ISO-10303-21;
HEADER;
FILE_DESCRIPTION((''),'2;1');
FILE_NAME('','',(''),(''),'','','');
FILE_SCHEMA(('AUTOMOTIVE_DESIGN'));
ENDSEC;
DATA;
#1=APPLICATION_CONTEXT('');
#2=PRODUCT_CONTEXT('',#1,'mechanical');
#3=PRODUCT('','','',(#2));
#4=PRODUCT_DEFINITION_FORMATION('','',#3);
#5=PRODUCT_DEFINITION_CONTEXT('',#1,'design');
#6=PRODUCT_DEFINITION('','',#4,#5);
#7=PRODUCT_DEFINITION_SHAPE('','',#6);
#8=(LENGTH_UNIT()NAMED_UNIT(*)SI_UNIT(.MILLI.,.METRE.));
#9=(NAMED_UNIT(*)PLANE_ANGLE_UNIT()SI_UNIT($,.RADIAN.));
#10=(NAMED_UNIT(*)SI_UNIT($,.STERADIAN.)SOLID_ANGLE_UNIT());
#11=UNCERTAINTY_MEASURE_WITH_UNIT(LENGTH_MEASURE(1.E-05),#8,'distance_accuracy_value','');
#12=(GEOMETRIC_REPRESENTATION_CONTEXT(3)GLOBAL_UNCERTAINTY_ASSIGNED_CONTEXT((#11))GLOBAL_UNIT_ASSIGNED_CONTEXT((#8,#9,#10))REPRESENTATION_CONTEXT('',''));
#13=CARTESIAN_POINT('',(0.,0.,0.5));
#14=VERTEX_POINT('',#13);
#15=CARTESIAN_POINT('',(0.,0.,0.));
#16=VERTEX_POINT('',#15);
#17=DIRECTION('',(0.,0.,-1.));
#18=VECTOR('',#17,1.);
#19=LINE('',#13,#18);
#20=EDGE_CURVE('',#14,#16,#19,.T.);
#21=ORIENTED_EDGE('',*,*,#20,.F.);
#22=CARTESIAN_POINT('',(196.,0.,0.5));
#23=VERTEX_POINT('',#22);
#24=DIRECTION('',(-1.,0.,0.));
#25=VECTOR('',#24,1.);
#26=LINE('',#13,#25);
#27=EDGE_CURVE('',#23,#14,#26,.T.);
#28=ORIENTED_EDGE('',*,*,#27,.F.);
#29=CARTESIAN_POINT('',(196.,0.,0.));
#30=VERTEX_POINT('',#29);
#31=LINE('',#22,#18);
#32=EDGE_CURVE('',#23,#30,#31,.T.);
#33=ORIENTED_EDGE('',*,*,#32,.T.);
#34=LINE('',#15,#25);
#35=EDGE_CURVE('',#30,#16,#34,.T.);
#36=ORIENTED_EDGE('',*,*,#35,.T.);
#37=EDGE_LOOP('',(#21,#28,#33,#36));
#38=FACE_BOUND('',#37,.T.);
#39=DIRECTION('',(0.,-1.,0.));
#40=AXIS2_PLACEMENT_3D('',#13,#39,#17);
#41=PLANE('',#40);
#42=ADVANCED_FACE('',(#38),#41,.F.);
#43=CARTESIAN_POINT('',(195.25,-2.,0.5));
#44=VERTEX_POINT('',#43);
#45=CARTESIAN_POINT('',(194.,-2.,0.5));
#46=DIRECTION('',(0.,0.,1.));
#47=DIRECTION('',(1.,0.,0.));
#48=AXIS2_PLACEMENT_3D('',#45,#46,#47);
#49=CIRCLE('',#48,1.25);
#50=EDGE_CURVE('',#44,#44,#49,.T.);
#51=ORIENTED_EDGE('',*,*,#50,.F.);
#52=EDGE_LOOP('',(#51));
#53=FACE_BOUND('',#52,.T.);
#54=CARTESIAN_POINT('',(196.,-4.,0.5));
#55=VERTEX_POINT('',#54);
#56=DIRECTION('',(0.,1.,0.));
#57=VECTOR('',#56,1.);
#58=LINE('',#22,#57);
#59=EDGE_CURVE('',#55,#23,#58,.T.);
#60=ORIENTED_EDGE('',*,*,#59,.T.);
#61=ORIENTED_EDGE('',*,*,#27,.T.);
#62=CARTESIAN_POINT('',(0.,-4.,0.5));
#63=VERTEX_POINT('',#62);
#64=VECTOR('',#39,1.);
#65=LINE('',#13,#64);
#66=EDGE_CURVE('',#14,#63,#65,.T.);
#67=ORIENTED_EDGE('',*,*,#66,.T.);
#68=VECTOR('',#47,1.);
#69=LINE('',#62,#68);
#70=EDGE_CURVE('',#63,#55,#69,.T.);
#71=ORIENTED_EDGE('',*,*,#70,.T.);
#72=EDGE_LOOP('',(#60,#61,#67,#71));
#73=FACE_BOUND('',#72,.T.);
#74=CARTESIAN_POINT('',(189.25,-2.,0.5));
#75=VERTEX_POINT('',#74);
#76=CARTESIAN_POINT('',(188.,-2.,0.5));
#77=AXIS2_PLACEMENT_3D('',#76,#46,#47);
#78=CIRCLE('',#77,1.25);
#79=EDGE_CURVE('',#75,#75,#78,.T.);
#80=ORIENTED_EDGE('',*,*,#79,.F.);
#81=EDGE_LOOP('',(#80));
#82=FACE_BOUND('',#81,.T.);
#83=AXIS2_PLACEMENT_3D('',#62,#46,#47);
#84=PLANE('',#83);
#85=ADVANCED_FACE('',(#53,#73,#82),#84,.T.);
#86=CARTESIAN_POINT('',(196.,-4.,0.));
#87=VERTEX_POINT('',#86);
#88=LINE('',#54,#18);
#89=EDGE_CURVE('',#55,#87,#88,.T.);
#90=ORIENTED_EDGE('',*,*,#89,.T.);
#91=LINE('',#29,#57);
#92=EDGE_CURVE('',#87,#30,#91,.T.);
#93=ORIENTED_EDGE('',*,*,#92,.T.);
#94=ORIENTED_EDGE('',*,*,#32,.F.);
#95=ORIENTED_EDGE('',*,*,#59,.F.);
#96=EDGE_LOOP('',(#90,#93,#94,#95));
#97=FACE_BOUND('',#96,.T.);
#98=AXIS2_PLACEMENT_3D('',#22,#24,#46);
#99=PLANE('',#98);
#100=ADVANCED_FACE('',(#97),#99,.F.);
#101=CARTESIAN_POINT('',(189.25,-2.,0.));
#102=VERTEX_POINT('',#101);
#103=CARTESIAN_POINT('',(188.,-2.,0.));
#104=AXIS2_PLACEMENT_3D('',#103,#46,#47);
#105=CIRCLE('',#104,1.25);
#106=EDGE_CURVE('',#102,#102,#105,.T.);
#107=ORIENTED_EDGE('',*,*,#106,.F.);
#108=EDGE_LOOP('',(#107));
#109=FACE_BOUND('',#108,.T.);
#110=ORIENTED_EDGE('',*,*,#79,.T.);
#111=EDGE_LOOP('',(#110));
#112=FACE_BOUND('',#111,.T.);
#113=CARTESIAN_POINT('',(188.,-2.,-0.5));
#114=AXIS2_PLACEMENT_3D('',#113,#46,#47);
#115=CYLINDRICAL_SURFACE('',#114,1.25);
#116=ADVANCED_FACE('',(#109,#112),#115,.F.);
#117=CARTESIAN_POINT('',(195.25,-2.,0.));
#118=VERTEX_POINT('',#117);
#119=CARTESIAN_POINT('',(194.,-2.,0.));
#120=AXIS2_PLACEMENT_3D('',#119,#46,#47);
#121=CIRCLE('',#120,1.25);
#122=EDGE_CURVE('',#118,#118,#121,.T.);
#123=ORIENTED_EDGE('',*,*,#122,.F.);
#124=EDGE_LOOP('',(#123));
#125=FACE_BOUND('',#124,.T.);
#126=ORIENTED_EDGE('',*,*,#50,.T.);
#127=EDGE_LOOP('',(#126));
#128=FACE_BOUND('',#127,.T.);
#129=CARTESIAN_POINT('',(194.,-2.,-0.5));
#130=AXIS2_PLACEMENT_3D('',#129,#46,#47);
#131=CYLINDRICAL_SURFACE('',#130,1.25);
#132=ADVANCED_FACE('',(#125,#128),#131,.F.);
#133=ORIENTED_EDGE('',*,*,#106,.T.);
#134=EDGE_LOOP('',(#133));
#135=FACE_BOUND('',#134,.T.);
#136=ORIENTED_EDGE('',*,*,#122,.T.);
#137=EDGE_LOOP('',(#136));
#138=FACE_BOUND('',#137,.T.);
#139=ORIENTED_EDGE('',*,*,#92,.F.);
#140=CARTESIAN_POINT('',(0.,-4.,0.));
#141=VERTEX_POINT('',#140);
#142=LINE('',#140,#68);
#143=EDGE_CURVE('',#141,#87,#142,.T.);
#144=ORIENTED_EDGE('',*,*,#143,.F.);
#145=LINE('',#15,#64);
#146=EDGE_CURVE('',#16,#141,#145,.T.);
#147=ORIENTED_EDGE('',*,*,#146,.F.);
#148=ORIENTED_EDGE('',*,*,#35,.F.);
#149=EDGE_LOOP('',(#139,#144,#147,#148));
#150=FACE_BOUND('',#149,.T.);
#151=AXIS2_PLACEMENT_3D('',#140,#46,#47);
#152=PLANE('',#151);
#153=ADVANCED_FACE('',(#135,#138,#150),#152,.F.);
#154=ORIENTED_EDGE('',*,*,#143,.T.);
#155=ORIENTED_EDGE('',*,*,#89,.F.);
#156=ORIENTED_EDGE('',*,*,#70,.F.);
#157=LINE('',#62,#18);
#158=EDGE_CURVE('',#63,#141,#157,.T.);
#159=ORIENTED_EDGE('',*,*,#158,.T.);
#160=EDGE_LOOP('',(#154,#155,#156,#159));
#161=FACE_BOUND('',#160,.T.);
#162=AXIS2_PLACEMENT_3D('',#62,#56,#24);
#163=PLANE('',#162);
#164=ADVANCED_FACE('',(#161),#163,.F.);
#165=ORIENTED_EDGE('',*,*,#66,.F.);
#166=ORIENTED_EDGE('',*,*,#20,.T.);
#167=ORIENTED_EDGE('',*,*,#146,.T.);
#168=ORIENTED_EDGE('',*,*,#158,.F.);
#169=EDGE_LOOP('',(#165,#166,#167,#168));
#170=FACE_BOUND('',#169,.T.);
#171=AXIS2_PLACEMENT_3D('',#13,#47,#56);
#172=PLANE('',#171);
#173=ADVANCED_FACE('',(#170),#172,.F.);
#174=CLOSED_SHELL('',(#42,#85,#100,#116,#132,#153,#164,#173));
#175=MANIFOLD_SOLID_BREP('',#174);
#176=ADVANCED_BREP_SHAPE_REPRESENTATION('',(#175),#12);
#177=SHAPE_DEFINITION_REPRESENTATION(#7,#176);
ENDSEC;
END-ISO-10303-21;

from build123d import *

# Parameters (mm, degrees)
SKETCH_1_W          = 196
SKETCH_1_H          = 4
EXTRUDE_1_DEPTH     = 0.5
SKETCH_2_R          = 1.25
CUT_EXTRUDE_1_DEPTH = 1


with BuildPart() as part:
    # ｽｹｯﾁ1 → ﾎﾞｽ - 押し出し1 (new body)
    with BuildSketch(Plane.XY):
        with Locations((98, -2)):
            Rectangle(SKETCH_1_W, SKETCH_1_H)
    extrude(amount=EXTRUDE_1_DEPTH)

    # ｽｹｯﾁ2 → ｶｯﾄ - 押し出し1 (cut)
    with BuildSketch(Plane.XY.offset(0.5)):
        with Locations((188, -2)):
            Circle(SKETCH_2_R)
        with Locations((194, -2)):
            Circle(SKETCH_2_R)
    extrude(amount=-CUT_EXTRUDE_1_DEPTH, mode=Mode.SUBTRACT)


solid = part.part
